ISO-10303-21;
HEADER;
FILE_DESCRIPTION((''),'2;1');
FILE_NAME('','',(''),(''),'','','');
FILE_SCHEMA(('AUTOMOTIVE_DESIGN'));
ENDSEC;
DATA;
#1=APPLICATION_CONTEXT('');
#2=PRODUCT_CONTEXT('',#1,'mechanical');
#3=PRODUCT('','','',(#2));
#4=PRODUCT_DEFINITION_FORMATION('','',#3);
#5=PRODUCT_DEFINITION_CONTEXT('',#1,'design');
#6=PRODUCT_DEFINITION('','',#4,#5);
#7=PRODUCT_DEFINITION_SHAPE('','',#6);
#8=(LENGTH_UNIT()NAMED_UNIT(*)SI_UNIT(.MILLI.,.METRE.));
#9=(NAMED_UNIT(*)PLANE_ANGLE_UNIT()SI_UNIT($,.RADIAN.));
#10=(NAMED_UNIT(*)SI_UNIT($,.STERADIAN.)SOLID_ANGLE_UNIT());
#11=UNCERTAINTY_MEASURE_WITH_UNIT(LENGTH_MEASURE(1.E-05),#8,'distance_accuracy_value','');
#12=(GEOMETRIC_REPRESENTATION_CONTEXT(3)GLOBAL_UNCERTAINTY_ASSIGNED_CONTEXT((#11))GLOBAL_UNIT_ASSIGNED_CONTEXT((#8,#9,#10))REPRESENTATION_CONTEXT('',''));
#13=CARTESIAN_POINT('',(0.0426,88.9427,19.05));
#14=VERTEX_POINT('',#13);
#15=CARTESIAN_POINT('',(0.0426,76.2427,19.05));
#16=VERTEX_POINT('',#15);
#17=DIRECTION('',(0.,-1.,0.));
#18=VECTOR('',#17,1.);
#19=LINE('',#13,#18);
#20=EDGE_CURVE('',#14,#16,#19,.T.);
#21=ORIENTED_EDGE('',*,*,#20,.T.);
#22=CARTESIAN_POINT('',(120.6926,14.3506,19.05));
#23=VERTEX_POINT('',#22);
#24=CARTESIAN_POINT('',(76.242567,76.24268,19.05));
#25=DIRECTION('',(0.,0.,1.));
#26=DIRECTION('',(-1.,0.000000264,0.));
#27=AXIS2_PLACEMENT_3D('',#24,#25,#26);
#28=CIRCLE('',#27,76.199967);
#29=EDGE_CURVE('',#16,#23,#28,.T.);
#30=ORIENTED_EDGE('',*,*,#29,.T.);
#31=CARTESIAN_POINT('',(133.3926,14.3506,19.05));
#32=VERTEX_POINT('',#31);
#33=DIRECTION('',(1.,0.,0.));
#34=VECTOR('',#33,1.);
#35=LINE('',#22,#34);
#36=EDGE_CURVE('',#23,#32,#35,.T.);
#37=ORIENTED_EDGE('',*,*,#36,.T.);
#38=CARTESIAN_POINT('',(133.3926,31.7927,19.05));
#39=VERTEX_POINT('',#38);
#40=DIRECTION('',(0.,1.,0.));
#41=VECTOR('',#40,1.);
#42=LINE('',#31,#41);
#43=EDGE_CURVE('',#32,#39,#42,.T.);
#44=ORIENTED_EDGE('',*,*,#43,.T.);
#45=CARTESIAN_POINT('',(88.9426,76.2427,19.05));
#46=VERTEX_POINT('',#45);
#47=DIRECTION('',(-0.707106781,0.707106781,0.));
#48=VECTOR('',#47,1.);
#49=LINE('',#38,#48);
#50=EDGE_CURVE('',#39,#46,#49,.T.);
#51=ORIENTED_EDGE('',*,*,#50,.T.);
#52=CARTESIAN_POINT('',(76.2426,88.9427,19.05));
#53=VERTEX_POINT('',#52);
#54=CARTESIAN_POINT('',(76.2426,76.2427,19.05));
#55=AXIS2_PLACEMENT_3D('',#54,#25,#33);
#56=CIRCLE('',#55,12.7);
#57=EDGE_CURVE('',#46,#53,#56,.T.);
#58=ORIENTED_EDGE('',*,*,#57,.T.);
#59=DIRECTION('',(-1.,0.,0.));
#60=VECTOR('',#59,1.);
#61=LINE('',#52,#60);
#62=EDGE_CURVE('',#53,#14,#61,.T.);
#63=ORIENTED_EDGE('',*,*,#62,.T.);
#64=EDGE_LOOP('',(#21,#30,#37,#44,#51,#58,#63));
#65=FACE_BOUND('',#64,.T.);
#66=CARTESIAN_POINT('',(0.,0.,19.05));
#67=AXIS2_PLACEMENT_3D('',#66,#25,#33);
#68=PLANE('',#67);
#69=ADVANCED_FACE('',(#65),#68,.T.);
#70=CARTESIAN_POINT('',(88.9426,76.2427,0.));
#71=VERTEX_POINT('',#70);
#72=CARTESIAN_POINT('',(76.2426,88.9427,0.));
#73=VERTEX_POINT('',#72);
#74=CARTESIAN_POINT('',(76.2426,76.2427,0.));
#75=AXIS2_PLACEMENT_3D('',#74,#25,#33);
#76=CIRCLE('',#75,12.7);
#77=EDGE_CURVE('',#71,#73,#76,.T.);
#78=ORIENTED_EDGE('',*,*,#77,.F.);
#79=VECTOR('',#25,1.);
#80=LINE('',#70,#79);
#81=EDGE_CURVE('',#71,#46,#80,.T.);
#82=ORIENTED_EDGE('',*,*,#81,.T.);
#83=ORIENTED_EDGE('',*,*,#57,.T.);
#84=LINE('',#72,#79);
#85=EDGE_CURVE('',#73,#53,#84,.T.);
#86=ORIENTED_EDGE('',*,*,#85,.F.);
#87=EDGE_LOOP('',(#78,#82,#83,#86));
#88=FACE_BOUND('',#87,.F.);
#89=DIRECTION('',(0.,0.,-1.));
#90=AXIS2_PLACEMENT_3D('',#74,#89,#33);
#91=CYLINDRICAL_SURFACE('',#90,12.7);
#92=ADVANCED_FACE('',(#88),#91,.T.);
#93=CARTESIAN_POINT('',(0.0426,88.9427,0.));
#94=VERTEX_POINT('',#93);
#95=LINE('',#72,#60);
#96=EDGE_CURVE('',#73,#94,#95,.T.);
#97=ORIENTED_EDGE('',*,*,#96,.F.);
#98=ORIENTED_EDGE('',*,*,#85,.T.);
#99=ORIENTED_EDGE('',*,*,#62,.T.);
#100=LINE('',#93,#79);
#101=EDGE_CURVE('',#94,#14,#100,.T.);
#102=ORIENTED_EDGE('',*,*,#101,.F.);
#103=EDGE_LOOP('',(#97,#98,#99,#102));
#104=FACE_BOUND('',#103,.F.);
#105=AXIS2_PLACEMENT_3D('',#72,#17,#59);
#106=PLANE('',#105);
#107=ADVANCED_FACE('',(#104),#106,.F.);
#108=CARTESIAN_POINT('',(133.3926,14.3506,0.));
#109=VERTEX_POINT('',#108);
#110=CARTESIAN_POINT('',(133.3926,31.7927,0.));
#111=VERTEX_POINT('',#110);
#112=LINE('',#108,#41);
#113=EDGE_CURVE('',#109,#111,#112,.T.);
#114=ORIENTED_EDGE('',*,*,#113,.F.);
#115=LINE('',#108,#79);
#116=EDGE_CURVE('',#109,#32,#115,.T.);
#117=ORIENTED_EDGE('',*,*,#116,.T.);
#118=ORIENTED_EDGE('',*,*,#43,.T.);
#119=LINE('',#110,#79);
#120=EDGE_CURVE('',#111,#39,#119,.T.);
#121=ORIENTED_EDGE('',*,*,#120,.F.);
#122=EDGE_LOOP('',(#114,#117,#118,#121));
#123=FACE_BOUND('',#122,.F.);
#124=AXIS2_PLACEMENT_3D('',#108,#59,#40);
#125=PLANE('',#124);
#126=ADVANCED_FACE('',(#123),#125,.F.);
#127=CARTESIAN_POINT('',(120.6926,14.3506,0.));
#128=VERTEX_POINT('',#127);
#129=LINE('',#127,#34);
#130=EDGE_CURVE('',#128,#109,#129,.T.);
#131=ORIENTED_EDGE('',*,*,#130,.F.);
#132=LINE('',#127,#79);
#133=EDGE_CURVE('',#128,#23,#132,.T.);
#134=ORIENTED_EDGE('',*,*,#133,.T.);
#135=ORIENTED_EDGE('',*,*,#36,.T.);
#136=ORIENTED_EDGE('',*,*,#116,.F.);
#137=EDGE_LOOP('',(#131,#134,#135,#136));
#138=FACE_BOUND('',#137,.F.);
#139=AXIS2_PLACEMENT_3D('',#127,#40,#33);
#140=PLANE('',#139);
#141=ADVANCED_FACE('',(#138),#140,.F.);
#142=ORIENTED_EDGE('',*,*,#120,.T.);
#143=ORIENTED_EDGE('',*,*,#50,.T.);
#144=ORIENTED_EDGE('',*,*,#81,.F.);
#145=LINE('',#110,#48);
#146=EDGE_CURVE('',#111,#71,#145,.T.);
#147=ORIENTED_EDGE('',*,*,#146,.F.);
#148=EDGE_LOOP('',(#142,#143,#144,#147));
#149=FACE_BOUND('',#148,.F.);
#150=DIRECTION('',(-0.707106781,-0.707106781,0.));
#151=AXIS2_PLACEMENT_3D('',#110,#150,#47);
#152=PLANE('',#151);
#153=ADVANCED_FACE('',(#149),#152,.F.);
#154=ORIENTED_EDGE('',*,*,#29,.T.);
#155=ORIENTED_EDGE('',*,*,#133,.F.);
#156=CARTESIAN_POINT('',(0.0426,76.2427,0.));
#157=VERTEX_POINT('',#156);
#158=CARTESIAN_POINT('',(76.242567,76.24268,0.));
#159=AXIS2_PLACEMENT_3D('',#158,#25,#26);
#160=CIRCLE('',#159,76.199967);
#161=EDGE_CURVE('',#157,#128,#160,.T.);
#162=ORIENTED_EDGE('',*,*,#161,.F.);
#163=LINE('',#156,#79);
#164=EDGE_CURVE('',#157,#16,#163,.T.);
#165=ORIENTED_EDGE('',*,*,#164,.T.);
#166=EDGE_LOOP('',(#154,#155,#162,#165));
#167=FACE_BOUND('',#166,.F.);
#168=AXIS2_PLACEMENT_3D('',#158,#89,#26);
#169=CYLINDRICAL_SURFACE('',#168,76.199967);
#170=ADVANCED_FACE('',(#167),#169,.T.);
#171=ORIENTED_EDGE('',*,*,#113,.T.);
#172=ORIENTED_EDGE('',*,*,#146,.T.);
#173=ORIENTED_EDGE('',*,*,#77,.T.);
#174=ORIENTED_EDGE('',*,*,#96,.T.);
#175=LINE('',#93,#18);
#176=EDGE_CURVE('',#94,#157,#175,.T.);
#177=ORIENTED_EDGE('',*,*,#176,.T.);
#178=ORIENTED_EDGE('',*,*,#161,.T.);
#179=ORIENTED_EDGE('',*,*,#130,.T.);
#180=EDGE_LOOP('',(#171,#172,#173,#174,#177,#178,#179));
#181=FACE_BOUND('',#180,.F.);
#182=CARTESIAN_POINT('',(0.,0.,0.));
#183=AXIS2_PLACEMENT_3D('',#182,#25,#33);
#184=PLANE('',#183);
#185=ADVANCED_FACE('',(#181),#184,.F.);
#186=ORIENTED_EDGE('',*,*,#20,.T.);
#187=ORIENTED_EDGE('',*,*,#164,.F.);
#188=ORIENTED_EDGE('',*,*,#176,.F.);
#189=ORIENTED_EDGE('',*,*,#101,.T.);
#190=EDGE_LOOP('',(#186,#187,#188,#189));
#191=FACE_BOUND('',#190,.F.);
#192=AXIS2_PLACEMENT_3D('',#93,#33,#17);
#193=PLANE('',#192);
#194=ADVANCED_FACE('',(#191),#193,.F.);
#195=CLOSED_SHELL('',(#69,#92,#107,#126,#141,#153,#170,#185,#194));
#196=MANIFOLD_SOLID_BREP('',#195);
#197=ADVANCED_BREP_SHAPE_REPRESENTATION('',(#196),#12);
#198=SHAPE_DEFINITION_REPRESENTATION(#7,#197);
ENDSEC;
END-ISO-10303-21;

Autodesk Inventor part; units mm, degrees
ref_plane "YZ Plane" through (0, 0, 0) normal (1, 0, 0) x (0, 1, 0)
ref_plane "XZ Plane" through (0, 0, 0) normal (0, 1, 0) x (-1, 0, 0)
ref_plane "XY Plane" through (0, 0, 0) normal (0, 0, 1) x (1, 0, 0)
sketch "Sketch1" plane through (0, 0, 0) normal (0, 0, 1) x (1, 0, 0)
  arc A0 (0.0426, 76.2427) -> (120.6926, 14.3506) centre (76.2426, 76.2427) ccw
  line L0 (0.0426, 88.9427) -> (0.0426, 76.2427)
  line L1 (76.2426, 88.9427) -> (0.0426, 88.9427)
  arc A1 (88.9426, 76.2427) -> (76.2426, 88.9427) centre (76.2426, 76.2427) ccw
  line L2 (133.3926, 31.7927) -> (88.9426, 76.2427)
  line L3 (120.6926, 14.3506) -> (133.3926, 14.3506)
  line L4 (133.3926, 14.3506) -> (133.3926, 31.7927)
  point P0 (0, 0)
extrude "Extrusion1" add sketch "Sketch1" along normal blind 19.05
properties part number "nd-gate"
